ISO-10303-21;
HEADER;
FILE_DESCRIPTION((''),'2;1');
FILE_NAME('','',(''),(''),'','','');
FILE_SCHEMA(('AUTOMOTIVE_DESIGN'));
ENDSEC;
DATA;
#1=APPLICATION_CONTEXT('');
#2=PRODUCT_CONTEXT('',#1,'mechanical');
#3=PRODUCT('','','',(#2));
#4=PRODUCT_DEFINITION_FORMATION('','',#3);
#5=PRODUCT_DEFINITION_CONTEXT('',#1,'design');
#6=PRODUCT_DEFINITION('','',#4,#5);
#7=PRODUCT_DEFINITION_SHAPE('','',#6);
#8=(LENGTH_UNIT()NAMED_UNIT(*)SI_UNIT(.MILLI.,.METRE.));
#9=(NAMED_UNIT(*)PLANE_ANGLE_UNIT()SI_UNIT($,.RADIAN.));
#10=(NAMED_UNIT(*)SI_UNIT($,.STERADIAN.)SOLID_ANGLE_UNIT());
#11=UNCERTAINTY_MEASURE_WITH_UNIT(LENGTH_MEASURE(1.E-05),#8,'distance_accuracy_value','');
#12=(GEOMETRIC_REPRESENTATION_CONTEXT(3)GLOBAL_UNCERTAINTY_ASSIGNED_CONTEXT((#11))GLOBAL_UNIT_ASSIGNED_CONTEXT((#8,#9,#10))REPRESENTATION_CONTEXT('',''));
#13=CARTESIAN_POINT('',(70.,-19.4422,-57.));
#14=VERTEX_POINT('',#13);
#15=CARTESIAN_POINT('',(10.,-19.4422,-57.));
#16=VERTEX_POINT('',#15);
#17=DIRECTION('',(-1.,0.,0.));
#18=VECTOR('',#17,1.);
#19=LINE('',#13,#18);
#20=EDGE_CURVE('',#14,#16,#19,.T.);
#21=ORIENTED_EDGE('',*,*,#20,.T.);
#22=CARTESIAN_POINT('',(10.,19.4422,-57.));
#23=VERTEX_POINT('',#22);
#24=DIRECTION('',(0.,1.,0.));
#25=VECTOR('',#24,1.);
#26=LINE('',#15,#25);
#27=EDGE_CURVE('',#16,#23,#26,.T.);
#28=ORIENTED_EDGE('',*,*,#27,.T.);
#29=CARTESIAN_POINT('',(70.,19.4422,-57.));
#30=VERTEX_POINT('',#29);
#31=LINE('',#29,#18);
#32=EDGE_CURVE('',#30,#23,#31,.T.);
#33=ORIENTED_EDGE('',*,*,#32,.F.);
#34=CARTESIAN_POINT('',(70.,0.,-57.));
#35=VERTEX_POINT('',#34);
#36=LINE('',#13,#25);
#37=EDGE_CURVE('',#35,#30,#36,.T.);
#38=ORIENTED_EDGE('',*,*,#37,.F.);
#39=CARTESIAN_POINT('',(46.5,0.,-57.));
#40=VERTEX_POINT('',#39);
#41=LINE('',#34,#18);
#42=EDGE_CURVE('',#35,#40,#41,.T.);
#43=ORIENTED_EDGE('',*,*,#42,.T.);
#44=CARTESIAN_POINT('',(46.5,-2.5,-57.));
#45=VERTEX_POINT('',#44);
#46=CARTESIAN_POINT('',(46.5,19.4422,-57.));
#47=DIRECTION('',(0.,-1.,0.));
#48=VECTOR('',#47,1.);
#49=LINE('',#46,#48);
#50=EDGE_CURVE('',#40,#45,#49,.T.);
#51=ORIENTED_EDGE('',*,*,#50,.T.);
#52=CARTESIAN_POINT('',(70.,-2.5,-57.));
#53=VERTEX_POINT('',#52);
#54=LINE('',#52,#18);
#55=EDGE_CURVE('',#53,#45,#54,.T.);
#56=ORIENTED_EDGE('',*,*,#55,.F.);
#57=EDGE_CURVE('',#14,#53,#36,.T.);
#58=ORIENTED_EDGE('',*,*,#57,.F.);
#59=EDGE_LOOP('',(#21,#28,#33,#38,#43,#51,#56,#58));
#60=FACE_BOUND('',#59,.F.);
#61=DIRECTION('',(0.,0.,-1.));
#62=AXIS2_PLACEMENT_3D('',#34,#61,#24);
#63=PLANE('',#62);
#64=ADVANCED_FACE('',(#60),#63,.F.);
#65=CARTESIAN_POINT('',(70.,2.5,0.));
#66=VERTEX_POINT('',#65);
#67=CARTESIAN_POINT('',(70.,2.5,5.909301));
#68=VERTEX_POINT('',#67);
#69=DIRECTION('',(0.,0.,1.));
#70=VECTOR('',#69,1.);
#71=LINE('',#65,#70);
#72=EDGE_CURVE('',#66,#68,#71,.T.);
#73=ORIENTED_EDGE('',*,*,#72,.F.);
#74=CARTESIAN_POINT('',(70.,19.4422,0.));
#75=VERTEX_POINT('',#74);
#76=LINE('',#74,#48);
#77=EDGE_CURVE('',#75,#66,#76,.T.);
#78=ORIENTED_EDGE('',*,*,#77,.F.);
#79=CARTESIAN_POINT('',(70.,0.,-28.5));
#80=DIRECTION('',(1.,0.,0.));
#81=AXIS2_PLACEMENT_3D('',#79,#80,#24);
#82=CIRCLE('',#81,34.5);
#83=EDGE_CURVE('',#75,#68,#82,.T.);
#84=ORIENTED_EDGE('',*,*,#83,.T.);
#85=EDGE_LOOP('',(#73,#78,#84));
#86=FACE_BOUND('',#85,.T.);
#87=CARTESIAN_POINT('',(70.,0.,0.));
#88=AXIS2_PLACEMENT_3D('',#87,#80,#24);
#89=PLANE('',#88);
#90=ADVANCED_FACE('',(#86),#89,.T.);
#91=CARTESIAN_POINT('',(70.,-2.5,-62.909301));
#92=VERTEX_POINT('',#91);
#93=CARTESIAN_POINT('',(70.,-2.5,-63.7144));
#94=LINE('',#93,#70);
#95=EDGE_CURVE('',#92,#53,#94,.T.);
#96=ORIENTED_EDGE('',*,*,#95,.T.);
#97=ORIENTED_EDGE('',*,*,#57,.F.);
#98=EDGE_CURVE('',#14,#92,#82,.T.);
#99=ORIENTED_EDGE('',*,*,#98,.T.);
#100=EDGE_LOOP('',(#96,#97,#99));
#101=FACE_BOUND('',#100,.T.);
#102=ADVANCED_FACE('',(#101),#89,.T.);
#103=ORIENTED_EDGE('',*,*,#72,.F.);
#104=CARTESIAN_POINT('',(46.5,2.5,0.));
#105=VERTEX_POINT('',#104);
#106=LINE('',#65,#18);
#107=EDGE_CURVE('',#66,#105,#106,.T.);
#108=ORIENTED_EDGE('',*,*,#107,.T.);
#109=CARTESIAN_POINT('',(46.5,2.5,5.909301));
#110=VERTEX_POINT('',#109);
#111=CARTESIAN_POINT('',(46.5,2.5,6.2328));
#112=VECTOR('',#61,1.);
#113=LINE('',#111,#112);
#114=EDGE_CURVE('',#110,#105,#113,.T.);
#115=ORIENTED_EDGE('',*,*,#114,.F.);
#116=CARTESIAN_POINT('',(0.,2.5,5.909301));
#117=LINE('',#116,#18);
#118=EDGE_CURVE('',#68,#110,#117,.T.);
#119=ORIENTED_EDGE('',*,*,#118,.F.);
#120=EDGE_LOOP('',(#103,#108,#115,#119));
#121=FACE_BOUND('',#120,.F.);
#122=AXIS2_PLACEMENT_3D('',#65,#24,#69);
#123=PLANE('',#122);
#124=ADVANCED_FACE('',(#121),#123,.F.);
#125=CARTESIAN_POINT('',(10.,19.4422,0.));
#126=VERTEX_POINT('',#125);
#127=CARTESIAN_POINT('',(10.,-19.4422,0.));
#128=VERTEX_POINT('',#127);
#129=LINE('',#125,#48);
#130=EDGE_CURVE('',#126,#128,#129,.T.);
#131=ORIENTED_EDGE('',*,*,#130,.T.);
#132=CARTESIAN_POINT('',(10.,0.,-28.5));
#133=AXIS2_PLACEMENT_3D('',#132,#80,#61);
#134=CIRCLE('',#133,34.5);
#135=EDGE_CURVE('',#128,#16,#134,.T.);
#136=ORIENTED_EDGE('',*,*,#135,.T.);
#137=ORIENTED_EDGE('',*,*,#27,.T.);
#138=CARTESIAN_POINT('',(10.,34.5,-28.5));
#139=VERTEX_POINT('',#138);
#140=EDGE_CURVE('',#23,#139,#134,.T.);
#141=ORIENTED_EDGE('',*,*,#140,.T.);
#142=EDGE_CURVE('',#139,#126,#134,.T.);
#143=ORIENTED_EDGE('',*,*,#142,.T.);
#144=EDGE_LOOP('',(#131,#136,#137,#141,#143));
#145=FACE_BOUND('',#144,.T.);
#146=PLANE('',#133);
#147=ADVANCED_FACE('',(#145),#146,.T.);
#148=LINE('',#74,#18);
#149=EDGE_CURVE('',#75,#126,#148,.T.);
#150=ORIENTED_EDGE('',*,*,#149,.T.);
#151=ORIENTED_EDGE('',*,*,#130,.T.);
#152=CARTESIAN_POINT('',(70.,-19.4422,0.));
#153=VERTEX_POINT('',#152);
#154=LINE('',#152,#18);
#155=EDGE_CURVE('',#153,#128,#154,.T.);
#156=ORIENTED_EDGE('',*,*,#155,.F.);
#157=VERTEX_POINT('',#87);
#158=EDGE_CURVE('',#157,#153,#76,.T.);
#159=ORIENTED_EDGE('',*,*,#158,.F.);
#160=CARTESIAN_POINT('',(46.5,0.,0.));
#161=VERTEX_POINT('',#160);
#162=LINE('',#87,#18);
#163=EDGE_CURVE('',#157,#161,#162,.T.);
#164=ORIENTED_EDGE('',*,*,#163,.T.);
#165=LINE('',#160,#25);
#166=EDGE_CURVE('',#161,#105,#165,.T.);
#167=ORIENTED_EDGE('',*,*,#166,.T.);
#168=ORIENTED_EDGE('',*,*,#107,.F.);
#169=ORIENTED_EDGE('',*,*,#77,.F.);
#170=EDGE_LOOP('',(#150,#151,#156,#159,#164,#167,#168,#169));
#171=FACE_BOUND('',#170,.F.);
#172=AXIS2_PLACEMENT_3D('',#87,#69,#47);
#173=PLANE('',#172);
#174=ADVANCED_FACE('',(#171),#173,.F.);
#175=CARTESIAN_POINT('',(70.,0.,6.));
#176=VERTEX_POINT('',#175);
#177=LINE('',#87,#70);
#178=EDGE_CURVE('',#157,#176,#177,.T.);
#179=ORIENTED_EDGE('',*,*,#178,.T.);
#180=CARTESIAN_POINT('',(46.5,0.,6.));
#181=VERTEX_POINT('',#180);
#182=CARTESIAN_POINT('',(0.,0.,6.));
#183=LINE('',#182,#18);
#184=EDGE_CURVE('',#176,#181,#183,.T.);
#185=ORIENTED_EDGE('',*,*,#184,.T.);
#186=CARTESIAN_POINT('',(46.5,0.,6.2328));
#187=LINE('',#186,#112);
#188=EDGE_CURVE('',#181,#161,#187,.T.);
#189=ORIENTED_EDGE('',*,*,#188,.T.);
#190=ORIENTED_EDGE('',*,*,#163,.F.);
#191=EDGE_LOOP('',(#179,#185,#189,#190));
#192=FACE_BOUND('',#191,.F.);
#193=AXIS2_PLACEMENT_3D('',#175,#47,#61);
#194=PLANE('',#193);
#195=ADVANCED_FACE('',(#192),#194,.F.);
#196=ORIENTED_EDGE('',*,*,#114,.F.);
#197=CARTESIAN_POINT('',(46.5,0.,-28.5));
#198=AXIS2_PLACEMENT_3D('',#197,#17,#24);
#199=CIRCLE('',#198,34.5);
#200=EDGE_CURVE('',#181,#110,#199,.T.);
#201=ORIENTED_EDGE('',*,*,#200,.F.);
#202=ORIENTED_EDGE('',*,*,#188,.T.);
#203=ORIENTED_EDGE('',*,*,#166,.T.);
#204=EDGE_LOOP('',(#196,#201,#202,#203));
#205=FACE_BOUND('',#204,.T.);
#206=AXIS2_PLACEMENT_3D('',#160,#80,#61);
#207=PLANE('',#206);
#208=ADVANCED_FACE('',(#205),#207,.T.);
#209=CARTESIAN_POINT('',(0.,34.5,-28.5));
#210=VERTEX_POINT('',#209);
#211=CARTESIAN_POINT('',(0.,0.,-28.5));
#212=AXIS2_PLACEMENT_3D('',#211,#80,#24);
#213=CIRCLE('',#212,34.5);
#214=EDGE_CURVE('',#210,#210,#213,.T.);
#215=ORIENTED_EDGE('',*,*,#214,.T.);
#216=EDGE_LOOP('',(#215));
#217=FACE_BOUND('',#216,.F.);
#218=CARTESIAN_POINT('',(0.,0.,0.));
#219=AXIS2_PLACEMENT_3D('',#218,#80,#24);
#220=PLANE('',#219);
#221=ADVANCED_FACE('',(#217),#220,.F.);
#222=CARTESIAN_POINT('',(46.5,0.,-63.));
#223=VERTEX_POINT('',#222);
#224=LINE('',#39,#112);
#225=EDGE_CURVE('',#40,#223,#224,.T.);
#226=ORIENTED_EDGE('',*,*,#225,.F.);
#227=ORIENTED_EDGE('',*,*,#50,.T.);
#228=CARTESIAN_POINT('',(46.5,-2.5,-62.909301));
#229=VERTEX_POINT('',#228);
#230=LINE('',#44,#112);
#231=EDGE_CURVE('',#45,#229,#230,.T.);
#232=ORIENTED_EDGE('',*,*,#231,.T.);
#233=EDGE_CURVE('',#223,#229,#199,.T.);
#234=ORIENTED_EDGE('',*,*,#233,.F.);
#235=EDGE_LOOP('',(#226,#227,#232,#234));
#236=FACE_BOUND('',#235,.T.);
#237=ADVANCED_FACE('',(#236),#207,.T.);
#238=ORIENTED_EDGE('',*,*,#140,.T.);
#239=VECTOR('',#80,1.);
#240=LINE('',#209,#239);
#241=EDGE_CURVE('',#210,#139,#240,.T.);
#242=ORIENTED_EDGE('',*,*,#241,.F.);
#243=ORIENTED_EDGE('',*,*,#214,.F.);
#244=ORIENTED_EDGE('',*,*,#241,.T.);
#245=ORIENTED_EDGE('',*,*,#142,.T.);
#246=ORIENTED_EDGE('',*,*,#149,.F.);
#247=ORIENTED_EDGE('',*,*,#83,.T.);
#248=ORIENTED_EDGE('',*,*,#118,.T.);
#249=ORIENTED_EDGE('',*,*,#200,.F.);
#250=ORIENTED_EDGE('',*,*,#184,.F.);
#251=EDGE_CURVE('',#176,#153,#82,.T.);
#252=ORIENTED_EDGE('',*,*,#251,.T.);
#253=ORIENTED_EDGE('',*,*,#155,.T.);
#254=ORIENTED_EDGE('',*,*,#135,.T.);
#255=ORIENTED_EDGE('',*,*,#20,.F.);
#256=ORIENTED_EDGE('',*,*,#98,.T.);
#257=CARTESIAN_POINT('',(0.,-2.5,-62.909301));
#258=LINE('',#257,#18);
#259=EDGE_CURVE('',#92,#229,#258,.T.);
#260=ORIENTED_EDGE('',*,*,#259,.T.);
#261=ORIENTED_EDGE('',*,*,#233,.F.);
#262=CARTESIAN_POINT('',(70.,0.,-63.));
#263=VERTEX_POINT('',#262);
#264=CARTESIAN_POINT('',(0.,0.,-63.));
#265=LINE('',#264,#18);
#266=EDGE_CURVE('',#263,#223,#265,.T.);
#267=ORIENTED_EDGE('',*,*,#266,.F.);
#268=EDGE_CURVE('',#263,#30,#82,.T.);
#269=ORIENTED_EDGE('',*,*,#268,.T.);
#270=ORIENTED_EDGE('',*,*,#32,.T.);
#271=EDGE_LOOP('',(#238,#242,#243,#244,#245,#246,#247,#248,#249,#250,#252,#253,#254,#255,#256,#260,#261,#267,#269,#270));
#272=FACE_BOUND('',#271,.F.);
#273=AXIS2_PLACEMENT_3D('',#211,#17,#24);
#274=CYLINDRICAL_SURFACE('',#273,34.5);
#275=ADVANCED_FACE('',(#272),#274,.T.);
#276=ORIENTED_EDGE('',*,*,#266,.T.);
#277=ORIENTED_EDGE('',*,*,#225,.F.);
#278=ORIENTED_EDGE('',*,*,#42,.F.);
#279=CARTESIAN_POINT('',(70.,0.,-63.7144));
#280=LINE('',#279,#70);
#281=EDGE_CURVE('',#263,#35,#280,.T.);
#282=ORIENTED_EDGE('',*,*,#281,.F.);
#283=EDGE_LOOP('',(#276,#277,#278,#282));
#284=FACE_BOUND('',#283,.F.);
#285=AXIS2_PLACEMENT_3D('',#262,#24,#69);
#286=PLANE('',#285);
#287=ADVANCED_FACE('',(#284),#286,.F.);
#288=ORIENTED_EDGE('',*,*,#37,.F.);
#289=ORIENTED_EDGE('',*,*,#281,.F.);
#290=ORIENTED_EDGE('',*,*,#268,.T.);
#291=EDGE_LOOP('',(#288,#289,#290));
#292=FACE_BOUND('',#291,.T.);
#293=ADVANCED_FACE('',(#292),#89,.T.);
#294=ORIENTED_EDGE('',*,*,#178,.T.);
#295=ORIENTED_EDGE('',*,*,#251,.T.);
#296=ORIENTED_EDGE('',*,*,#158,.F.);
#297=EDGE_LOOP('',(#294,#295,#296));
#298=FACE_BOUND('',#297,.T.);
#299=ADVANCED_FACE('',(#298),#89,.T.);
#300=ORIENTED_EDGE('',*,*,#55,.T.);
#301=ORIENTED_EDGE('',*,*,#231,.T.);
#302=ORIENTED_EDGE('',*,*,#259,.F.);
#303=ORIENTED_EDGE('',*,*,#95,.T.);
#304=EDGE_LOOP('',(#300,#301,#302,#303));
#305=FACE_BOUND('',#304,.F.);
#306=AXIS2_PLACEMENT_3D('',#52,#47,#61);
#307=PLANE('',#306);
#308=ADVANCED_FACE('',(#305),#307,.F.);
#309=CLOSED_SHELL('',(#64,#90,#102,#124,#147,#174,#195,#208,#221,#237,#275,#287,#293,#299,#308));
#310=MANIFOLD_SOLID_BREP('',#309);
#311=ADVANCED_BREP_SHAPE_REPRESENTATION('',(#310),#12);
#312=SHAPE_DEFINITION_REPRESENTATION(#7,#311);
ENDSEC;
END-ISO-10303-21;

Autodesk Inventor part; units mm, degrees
ref_plane "YZ Plane" through (0, 0, 0) normal (1, 0, 0) x (0, 1, 0)
ref_plane "XZ Plane" through (0, 0, 0) normal (0, 1, 0) x (-1, 0, 0)
ref_plane "XY Plane" through (0, 0, 0) normal (0, 0, 1) x (1, 0, 0)
sketch "Sketch1" plane through (0, 0, 0) normal (1, 0, 0) x (0, 1, 0)
  circle A0 centre (0, -28.5) radius 34.5
  point P0 (0, 0)
extrude "Extrusion1" add sketch "Sketch1" along normal blind 70
sketch "Sketch2" plane through (70, 0, -28.5) normal (1, 0, 0) x (0, 0, -1)
  line L0 (-28.5, 0) -> (-28.5, 19.4422)
  circle A0 centre (0, 0) radius 34.5 projected
  line L1 (-28.5, 0) -> (-28.5, -19.4422)
  line L2 (28.5, 0) -> (28.5, 19.4422)
  line L3 (28.5, 0) -> (28.5, -19.4422)
  arc A1 (-28.5, 19.4422) -> (-28.5, -19.4422) centre (0, 0) ccw
  arc A2 (28.5, -19.4422) -> (28.5, 19.4422) centre (0, 0) ccw
  arc A3 (28.5, 19.4422) -> (-28.5, 19.4422) centre (0, 0) ccw
  arc A4 (-28.5, -19.4422) -> (28.5, -19.4422) centre (0, 0) ccw
extrude "Extrusion2" cut sketch "Sketch2" against normal blind 60 contours L0 A0 L2 L3 L1
sketch "Sketch3" plane through (70, 0, 0) normal (1, 0, 0) x (0, 0, -1)
  line L0 (0, 0) -> (0, 1.25)
  circle A0 centre (28.5, 0) radius 34.5 projected
  line L1 (28.5, 0) -> (28.5, 34.5)
  line L2 (0, 1.25) -> (0, 2.5)
  line L3 (0, -19.4422) -> (0, 19.4422) projected
  line L4 (0, 2.5) -> (-6.2328, 2.5)
  line L5 (-6.2328, 2.5) -> (-6.2328, 0)
  line L6 (-6.2328, 0) -> (0, 0)
  line L7 (57, 19.4422) -> (57, -19.4422) projected
  line L8 (57, 0) -> (57, -2.5)
  line L9 (57, -2.5) -> (63.7144, -2.5)
  line L10 (63.7144, -2.5) -> (63.7144, 0)
  line L11 (63.7144, 0) -> (57, 0)
  dimension "d9" = 1.25
  dimension "d10" = 2.5
extrude "Extrusion3" cut sketch "Sketch3" against normal blind 23.5 contours L6 A0 L4 L2 L0 | L6 L5 L4 A0 | L9 L7 L11 A0 | A0 L11 L10 L9
properties part number "Base"
